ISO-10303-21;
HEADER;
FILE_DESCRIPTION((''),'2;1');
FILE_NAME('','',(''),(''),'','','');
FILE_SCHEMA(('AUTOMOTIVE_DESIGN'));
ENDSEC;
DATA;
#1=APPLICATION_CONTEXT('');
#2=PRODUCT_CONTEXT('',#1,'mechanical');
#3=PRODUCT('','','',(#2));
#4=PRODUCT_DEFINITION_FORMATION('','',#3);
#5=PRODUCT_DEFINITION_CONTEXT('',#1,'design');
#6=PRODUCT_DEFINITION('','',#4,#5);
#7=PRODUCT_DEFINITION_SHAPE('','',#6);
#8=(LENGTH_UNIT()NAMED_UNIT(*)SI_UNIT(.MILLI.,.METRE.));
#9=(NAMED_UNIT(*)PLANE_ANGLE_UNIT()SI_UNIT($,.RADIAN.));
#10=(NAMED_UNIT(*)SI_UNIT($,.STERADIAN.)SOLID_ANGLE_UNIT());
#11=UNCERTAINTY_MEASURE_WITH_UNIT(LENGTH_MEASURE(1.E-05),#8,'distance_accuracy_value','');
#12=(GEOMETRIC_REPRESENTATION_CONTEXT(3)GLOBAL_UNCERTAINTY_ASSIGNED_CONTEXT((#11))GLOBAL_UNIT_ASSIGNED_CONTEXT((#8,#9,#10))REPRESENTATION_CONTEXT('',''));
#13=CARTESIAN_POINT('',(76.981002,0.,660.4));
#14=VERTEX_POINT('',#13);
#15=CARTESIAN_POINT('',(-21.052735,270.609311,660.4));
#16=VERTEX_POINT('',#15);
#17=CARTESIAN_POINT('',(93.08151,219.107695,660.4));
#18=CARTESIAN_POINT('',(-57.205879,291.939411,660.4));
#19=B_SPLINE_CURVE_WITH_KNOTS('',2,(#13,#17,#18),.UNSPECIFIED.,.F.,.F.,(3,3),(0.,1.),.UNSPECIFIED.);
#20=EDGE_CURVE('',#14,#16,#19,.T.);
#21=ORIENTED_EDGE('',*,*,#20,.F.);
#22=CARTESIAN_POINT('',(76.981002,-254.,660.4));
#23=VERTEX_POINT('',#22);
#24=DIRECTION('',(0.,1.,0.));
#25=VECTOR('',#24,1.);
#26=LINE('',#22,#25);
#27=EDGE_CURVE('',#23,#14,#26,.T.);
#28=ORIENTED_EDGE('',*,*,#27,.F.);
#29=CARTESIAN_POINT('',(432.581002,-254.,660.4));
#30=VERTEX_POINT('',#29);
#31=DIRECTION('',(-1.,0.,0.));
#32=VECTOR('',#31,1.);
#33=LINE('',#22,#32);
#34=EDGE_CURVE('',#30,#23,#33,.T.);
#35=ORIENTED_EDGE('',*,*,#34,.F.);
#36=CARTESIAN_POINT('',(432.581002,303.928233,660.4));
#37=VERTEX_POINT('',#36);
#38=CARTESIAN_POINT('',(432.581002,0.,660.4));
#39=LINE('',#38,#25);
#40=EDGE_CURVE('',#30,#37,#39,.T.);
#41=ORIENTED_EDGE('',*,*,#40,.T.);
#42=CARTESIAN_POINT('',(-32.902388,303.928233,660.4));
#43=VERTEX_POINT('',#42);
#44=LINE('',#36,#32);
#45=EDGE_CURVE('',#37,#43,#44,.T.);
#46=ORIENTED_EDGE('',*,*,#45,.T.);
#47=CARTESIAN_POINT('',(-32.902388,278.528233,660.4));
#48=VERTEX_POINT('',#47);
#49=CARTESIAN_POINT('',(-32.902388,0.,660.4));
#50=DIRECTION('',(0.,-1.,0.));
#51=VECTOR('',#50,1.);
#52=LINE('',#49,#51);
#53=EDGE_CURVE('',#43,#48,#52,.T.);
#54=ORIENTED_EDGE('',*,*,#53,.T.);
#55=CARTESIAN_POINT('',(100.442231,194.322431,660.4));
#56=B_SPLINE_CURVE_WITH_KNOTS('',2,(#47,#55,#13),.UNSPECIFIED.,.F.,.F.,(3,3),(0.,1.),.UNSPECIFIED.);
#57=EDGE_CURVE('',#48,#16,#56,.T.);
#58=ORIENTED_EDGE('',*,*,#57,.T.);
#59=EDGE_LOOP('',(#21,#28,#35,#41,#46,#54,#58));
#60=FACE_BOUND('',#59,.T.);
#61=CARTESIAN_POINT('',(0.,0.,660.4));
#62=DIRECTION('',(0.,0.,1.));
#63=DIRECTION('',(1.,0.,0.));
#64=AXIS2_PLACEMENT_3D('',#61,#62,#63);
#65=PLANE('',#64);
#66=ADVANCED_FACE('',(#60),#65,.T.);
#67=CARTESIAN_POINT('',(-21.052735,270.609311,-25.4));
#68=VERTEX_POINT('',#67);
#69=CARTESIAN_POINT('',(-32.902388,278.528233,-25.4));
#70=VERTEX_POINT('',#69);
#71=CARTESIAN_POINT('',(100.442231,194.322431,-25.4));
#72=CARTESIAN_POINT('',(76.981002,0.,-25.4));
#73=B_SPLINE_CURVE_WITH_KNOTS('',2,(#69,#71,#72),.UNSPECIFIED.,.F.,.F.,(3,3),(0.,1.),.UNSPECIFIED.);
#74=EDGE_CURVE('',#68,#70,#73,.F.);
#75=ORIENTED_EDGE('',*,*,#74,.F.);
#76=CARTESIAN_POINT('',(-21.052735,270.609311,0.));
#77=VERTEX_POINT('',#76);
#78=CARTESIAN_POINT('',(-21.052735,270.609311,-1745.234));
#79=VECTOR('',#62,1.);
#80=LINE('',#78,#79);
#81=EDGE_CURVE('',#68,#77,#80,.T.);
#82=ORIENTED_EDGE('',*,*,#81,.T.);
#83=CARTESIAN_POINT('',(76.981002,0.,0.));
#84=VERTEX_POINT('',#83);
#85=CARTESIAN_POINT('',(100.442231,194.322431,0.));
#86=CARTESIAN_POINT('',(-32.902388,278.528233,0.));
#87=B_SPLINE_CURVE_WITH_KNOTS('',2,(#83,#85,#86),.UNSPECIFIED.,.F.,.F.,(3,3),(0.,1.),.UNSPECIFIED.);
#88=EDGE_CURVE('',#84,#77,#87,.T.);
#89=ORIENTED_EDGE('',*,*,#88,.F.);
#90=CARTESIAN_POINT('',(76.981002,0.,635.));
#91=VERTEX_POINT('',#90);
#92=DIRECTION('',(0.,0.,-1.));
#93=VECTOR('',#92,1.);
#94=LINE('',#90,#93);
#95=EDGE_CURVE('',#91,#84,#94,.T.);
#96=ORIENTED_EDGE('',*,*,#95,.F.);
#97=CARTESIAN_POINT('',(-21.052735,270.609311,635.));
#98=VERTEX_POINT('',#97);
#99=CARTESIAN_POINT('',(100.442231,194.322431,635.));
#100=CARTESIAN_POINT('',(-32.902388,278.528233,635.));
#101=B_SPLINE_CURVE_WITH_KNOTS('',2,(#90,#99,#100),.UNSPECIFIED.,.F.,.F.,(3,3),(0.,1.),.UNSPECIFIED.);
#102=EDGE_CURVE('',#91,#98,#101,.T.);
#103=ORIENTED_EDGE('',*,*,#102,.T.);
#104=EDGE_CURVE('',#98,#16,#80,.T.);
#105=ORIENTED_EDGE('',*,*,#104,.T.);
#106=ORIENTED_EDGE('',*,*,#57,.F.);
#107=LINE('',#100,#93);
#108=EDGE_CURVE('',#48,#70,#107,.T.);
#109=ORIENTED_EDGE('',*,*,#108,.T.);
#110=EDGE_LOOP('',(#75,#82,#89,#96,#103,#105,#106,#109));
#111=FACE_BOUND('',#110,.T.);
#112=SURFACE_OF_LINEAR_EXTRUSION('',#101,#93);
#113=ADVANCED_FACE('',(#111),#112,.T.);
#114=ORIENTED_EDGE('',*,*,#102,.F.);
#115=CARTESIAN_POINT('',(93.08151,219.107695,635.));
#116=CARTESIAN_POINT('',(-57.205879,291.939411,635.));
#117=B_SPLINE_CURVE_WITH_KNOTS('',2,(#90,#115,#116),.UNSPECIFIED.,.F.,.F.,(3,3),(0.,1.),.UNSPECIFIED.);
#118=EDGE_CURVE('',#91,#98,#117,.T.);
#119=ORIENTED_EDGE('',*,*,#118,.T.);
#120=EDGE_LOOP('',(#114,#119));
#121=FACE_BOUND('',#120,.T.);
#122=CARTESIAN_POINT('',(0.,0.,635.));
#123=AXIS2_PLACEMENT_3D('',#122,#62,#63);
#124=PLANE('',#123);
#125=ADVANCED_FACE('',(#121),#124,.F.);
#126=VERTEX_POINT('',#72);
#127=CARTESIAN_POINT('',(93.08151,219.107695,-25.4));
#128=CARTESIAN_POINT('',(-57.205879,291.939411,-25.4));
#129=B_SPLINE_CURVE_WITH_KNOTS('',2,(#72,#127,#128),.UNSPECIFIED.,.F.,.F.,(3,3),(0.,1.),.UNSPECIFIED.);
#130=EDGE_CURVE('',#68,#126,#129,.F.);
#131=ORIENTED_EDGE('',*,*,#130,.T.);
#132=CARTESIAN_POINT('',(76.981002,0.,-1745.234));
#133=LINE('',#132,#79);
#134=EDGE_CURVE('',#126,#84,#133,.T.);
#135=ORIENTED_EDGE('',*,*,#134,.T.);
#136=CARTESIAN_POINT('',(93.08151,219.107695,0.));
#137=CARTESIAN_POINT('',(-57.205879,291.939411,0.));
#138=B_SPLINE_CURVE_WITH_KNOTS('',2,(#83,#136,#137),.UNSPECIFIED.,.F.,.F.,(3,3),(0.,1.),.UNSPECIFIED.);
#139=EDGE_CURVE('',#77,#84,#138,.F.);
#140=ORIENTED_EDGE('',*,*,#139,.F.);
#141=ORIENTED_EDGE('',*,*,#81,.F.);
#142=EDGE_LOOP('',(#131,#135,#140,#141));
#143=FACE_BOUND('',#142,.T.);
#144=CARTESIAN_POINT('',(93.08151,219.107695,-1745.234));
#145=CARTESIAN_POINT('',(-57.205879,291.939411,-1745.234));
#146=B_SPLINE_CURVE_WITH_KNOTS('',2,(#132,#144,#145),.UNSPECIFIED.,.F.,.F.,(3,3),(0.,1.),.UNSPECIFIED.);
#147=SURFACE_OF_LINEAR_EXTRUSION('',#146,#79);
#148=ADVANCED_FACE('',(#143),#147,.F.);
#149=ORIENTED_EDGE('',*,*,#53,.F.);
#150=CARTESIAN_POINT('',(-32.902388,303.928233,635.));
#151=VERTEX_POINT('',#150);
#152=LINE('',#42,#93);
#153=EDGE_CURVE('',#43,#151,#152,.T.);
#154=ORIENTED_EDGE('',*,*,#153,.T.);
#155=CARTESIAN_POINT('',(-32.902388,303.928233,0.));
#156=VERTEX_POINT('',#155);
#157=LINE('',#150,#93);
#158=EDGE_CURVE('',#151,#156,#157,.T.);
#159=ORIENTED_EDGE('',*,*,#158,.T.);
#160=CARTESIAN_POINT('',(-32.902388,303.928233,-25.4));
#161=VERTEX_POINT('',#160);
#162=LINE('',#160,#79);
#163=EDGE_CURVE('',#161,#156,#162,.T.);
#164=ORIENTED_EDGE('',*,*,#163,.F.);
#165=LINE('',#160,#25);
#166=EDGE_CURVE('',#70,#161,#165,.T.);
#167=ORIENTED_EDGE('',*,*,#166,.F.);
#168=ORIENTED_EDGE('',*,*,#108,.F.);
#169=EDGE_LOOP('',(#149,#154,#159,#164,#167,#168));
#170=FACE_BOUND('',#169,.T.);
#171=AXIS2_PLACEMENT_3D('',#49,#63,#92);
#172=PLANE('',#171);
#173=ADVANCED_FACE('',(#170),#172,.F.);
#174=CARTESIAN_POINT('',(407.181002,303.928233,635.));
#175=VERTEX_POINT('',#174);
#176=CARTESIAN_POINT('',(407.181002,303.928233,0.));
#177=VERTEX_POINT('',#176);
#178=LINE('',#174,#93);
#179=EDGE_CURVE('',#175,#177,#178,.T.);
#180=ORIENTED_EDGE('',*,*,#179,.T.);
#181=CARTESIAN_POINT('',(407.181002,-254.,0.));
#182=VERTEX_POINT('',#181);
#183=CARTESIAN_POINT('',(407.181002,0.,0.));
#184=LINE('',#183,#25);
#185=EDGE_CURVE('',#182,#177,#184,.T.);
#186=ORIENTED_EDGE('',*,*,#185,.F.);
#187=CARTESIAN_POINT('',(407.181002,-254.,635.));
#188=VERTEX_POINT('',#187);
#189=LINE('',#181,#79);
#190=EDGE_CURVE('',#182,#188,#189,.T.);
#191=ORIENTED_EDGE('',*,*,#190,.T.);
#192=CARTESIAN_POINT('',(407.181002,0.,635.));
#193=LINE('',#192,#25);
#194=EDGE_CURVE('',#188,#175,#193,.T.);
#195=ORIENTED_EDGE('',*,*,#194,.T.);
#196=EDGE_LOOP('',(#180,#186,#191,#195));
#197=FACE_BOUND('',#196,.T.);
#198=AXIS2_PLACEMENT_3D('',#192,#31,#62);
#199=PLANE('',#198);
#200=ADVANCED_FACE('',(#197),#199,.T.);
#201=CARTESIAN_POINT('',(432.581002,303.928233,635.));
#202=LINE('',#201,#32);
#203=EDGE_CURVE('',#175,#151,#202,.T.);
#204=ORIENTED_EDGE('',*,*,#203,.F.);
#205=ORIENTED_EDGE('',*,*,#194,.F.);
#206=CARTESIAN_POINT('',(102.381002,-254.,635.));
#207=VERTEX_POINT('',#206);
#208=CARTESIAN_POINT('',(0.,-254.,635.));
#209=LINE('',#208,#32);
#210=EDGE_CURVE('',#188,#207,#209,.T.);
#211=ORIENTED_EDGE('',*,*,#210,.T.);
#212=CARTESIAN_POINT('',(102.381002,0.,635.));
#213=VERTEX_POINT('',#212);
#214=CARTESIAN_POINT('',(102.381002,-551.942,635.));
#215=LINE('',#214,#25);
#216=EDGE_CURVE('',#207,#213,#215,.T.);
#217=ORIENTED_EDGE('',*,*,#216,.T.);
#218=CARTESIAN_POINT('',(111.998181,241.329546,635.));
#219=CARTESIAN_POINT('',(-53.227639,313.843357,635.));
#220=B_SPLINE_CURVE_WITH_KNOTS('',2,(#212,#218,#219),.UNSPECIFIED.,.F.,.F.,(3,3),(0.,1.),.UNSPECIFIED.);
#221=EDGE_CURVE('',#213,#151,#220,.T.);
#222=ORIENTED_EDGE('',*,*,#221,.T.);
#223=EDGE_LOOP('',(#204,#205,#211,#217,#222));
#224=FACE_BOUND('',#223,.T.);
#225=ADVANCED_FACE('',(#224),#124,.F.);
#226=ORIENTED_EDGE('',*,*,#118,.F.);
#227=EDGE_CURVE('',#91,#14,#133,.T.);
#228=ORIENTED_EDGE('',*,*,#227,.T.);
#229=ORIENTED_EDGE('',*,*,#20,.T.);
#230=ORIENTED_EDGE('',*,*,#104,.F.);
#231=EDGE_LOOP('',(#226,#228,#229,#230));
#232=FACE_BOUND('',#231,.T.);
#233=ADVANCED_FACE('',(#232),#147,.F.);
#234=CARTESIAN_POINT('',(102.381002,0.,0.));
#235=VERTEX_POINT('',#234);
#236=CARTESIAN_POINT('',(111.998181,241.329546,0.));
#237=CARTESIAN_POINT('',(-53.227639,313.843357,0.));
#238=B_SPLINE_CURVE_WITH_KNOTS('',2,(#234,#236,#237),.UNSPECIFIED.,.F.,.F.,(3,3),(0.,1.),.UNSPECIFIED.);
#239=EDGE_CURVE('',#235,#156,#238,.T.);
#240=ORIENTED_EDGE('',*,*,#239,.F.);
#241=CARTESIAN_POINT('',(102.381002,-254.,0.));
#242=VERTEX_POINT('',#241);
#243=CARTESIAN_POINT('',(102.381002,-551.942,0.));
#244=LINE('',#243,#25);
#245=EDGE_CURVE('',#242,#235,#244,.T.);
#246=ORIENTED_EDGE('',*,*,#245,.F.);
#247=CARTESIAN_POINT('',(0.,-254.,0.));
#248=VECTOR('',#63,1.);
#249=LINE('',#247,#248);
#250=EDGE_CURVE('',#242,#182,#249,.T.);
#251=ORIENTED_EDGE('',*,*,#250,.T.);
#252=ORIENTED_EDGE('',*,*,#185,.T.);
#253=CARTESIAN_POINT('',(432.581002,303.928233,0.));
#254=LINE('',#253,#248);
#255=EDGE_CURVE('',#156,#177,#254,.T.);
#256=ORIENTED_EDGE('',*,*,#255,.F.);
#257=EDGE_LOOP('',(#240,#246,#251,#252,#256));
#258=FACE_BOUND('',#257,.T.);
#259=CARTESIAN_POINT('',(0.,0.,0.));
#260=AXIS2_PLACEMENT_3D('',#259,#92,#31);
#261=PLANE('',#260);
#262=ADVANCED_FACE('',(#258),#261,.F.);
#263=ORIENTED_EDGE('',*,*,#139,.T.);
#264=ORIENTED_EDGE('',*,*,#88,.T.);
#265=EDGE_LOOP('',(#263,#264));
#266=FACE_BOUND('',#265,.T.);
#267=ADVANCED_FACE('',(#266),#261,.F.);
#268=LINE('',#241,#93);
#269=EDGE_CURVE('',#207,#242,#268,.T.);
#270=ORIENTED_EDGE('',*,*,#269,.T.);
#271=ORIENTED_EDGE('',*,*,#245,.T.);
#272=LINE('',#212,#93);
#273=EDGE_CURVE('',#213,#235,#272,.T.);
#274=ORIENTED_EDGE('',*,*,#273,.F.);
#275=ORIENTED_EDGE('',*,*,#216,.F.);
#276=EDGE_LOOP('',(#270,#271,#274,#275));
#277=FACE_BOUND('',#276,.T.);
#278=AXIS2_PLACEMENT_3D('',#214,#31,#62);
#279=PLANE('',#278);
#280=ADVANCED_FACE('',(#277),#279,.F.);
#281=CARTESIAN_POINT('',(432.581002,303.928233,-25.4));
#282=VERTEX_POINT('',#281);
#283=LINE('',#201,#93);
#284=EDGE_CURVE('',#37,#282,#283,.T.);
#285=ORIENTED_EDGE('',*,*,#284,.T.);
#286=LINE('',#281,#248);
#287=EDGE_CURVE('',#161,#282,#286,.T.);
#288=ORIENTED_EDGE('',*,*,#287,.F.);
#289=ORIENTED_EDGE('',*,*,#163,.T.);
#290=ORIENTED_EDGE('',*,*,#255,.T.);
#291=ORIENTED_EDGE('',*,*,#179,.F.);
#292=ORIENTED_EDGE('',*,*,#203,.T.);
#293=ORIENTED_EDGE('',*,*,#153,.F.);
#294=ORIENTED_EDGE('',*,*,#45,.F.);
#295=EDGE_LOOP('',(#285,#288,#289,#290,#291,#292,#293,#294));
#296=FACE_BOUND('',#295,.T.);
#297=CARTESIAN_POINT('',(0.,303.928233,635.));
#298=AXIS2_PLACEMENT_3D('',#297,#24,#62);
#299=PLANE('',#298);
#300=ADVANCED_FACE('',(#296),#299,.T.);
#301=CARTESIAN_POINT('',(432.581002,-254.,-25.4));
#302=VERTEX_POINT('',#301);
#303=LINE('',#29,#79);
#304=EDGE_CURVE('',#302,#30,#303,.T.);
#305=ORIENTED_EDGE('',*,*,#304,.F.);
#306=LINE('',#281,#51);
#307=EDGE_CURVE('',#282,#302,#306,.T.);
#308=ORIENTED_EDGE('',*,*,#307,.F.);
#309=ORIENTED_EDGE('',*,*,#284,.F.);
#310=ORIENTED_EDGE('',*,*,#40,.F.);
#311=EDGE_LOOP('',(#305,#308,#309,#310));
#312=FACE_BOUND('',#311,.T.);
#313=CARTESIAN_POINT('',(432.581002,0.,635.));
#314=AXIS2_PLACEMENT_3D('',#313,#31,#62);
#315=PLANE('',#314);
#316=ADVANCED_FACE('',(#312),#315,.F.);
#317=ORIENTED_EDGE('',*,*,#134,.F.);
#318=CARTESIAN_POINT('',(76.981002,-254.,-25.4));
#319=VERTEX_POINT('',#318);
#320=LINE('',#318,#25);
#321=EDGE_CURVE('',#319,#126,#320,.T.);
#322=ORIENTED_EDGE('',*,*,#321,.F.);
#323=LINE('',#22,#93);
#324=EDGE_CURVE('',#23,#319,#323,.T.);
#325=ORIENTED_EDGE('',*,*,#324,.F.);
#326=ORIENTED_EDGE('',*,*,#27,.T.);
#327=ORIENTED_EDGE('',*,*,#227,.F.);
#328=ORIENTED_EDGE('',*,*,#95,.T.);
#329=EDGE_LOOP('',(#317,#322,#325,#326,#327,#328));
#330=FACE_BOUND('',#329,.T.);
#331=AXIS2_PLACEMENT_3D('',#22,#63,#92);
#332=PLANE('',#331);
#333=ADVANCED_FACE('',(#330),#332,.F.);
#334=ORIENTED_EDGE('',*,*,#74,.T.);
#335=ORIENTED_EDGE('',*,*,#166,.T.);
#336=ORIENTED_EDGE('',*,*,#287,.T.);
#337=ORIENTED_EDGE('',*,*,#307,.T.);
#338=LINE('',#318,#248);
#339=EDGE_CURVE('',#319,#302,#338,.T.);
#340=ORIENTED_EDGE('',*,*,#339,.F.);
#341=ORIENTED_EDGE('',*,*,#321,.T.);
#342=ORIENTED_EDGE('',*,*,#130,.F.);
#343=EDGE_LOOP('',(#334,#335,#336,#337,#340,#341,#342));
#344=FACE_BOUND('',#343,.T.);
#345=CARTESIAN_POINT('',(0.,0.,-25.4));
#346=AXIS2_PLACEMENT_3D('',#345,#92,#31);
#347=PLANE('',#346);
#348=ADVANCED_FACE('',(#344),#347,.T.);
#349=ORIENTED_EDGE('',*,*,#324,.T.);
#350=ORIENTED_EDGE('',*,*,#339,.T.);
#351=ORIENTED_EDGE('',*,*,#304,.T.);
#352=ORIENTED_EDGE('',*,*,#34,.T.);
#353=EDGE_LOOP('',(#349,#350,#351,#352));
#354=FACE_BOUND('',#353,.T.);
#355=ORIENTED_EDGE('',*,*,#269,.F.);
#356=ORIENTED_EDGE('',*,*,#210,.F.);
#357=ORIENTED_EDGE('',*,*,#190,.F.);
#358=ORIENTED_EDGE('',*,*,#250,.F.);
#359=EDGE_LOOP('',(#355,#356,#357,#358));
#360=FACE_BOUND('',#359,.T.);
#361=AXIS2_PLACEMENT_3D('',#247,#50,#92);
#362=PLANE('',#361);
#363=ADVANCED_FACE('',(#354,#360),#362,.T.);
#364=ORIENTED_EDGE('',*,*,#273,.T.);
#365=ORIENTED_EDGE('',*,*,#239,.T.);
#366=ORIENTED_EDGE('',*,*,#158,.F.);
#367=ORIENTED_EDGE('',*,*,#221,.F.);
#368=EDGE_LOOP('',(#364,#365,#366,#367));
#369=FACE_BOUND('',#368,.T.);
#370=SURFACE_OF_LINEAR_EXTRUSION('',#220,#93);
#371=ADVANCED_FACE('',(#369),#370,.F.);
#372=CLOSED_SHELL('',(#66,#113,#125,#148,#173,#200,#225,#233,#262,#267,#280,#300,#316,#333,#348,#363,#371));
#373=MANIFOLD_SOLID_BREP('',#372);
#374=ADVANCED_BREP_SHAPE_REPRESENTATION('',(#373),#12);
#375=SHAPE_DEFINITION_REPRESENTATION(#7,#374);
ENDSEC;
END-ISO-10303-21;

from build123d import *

# Parameters (mm, degrees)
SKETCH7_W               = 25.4
SKETCH7_H               = 303.92823255
BOSS_EXTRUDE2_DEPTH     = 635
BOSS_EXTRUDE2_2_DEPTH   = 635
SKETCH9_W               = 465.483389799
SKETCH9_H               = 303.92823255
BOSS_EXTRUDE3_DEPTH     = 25.4
SKETCH10_W              = 465.483389799
SKETCH10_H              = 303.92823255
BOSS_EXTRUDE4_DEPTH     = 25.4
CUT_EXTRUDE1_DEPTH      = 2380.234
CUT_EXTRUDE1_DEPTH_BACK = 125.476
SKETCH12_W              = 355.6
SKETCH12_H              = 685.8
BOSS_EXTRUDE5_DEPTH     = 254
SKETCH13_W              = 304.8
SKETCH13_H              = 635
CUT_EXTRUDE2_DEPTH      = 551.942


with BuildPart() as part:
    # Sketch7 → Boss-Extrude2 (new body)
    with BuildSketch(Plane.XY):
        with Locations((419.881001745, 151.964116275)):
            Rectangle(SKETCH7_W, SKETCH7_H)
    extrude(amount=BOSS_EXTRUDE2_DEPTH)



with BuildPart() as body_2:
    # Sketch7 → Boss-Extrude2 2 (new body)
    with BuildSketch(Plane.XY):
        with BuildLine():
            Line((-32.902388054, 303.92823255), (-32.902388054, 278.52823255))
            add(Edge.make_bspline(
                [(0, 254), (-15.04510801, 267.251537687), (-32.902388054, 278.52823255)],
                knots=[0.866081735, 0.866081735, 0.866081735, 1, 1, 1], degree=2))
            add(Edge.make_bspline(
                [(76.981001745, 0), (97.30034402, 168.299108064), (0, 254)],
                knots=[0, 0, 0, 0.866081735, 0.866081735, 0.866081735], degree=2))
            Line((76.981001745, 0), (102.381001745, 0))
            add(Edge.make_bspline(
                [(102.381001745, 0), (111.38603621, 225.968646172), (-32.902388054, 303.92823255)],
                knots=[0, 0, 0, 0.936348865, 0.936348865, 0.936348865], degree=2))
        make_face()
    extrude(amount=BOSS_EXTRUDE2_2_DEPTH)


with BuildPart() as part_1:
    add(part.part)

    add(body_2.part)  # Boss-Extrude3 merges body 2
    # Sketch9 → Boss-Extrude3 (add)
    with BuildSketch(Plane.XY.offset(635)):
        with Locations((199.839306846, 151.964116275)):
            Rectangle(SKETCH9_W, SKETCH9_H)
    extrude(amount=BOSS_EXTRUDE3_DEPTH)

    # Sketch10 → Boss-Extrude4 (add)
    with BuildSketch(Plane(origin=(0, 0, 0), x_dir=(-1, 0, 0), z_dir=(0, 0, -1))):
        with Locations((-199.839306846, 151.964116275)):
            Rectangle(SKETCH10_W, SKETCH10_H)
    extrude(amount=BOSS_EXTRUDE4_DEPTH)

    # Sketch11 → Cut-Extrude1 (cut, two sides: drawn at the far end of the back side and taken through both)
    with BuildSketch(Plane(origin=(0, 0, 635), x_dir=(-1, 0, 0), z_dir=(0, 0, -1)).offset(-CUT_EXTRUDE1_DEPTH_BACK)):
        with BuildLine():
            Line((32.902388054, 0), (32.902388054, 278.52823255))
            add(Edge.make_bspline(
                [(32.902388054, 278.52823255), (26.814117535, 274.683550229), (21.052735145, 270.6093113)],
                knots=[0, 0, 0, 0.045658164, 0.045658164, 0.045658164], degree=2))
            add(Edge.make_bspline(
                [(-76.981001745, 0), (-90.995301199, 190.717013874), (21.052735145, 270.6093113)],
                knots=[0, 0, 0, 0.870425908, 0.870425908, 0.870425908], degree=2))
            Line((-76.981001745, 0), (32.902388054, 0))
        make_face()
    extrude(amount=CUT_EXTRUDE1_DEPTH + CUT_EXTRUDE1_DEPTH_BACK, mode=Mode.SUBTRACT)

    # Sketch12 → Boss-Extrude5 (add)
    with BuildSketch(Plane.XZ):
        with Locations((254.781001745, 317.5)):
            Rectangle(SKETCH12_W, SKETCH12_H)
    extrude(amount=BOSS_EXTRUDE5_DEPTH)

    # Sketch13 → Cut-Extrude2 (cut)
    with BuildSketch(Plane(origin=(0, 0, 0), x_dir=(1, 0, 0), z_dir=(0, 1, 0))):
        with Locations((254.781001745, -317.5)):
            Rectangle(SKETCH13_W, SKETCH13_H)
    extrude(amount=-CUT_EXTRUDE2_DEPTH, mode=Mode.SUBTRACT)


solid = part_1.part
